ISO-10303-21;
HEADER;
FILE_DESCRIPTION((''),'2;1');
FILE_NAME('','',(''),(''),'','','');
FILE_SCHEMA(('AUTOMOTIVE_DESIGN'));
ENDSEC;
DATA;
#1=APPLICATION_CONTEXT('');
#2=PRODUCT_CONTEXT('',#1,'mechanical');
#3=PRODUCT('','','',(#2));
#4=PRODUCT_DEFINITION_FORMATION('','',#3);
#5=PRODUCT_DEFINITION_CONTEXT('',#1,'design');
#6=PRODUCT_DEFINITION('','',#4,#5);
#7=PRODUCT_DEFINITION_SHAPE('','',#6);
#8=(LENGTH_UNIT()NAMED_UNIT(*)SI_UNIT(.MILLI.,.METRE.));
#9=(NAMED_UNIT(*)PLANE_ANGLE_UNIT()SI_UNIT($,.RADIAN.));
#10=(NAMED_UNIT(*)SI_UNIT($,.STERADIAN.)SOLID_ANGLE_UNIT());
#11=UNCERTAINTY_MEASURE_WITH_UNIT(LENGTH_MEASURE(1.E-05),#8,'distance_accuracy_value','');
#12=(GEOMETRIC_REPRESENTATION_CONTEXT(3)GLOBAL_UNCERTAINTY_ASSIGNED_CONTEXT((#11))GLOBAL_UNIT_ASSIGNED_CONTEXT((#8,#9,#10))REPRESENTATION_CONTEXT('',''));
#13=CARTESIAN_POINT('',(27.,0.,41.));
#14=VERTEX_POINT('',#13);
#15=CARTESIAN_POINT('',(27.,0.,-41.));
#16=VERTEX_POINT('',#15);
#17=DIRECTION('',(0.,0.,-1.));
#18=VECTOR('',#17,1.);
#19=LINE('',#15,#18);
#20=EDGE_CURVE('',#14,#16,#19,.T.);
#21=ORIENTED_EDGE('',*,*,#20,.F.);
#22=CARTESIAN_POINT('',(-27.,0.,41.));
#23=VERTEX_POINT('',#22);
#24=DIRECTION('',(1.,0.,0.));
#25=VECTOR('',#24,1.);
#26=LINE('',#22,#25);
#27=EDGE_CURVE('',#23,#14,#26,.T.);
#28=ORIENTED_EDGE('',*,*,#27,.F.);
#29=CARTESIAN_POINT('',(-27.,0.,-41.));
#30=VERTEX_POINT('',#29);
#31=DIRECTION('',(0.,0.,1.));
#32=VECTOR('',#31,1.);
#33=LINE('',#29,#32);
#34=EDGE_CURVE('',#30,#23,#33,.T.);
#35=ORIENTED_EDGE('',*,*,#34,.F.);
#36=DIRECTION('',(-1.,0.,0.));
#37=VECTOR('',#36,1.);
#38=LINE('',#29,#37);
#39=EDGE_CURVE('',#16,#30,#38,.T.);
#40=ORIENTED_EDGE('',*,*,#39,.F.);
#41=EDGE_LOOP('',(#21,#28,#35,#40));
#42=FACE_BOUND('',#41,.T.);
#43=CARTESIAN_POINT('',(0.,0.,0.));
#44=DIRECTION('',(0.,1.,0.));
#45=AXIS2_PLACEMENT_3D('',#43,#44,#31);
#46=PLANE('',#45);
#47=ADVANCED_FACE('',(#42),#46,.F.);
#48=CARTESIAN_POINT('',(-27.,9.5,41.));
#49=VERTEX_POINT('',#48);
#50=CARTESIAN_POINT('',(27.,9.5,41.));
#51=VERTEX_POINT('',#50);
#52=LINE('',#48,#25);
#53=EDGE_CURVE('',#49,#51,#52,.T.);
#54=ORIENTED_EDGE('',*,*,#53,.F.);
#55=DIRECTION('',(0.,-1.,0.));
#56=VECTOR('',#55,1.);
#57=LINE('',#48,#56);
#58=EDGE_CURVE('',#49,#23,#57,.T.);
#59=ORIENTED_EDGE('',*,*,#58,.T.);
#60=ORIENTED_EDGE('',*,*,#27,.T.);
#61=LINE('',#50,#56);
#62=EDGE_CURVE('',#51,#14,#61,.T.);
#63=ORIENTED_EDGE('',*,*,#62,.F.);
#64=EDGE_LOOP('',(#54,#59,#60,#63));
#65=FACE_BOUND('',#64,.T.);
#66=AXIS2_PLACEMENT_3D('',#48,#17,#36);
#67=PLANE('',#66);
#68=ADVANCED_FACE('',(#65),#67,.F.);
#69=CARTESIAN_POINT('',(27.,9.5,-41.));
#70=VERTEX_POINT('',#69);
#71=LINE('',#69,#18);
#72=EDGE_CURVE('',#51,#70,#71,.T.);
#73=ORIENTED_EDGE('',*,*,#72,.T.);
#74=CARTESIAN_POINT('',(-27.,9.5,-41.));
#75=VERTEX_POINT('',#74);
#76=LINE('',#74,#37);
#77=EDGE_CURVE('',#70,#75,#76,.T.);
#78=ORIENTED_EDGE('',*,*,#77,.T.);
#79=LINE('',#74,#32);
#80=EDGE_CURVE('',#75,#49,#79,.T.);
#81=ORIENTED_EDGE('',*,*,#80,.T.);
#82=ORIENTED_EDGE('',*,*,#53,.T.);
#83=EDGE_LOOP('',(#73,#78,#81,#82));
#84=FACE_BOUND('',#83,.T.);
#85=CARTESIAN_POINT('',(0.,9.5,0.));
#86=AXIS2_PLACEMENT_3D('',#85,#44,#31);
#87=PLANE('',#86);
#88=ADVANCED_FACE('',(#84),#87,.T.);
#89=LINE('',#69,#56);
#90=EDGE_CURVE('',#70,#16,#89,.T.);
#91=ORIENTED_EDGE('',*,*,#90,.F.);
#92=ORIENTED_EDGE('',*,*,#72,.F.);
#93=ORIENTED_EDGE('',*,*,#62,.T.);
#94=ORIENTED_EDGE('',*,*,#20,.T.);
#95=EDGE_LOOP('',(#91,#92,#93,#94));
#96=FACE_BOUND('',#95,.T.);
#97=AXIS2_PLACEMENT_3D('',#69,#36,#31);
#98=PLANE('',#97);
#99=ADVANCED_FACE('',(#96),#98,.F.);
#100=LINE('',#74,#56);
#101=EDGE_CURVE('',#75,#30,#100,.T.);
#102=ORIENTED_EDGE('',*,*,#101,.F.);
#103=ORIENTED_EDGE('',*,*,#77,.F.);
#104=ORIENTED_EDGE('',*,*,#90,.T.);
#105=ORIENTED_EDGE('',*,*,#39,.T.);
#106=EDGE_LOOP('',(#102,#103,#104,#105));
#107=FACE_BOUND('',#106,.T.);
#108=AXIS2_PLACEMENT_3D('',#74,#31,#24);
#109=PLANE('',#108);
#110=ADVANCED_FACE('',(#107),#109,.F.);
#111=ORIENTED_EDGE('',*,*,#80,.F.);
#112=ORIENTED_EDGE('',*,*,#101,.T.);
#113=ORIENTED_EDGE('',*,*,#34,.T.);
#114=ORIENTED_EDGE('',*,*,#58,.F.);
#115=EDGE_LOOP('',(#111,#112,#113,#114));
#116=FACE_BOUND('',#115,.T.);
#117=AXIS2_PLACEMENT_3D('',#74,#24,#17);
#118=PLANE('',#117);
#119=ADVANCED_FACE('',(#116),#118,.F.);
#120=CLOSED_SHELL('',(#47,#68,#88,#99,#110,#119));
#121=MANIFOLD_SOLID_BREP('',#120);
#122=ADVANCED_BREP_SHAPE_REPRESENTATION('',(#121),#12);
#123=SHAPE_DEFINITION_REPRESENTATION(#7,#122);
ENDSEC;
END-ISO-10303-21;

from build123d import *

# Parameters (mm, degrees)
ESBO_O1_W                = 54
ESBO_O1_H                = 82
RESSALTO_EXTRUS_O1_DEPTH = 9.5


with BuildPart() as part:
    # Esboço1 → Ressalto-extrusão1 (new body)
    with BuildSketch(Plane(origin=(0, 0, 0), x_dir=(1, 0, 0), z_dir=(0, 1, 0))):
        Rectangle(ESBO_O1_W, ESBO_O1_H)
    extrude(amount=RESSALTO_EXTRUS_O1_DEPTH)


solid = part.part
